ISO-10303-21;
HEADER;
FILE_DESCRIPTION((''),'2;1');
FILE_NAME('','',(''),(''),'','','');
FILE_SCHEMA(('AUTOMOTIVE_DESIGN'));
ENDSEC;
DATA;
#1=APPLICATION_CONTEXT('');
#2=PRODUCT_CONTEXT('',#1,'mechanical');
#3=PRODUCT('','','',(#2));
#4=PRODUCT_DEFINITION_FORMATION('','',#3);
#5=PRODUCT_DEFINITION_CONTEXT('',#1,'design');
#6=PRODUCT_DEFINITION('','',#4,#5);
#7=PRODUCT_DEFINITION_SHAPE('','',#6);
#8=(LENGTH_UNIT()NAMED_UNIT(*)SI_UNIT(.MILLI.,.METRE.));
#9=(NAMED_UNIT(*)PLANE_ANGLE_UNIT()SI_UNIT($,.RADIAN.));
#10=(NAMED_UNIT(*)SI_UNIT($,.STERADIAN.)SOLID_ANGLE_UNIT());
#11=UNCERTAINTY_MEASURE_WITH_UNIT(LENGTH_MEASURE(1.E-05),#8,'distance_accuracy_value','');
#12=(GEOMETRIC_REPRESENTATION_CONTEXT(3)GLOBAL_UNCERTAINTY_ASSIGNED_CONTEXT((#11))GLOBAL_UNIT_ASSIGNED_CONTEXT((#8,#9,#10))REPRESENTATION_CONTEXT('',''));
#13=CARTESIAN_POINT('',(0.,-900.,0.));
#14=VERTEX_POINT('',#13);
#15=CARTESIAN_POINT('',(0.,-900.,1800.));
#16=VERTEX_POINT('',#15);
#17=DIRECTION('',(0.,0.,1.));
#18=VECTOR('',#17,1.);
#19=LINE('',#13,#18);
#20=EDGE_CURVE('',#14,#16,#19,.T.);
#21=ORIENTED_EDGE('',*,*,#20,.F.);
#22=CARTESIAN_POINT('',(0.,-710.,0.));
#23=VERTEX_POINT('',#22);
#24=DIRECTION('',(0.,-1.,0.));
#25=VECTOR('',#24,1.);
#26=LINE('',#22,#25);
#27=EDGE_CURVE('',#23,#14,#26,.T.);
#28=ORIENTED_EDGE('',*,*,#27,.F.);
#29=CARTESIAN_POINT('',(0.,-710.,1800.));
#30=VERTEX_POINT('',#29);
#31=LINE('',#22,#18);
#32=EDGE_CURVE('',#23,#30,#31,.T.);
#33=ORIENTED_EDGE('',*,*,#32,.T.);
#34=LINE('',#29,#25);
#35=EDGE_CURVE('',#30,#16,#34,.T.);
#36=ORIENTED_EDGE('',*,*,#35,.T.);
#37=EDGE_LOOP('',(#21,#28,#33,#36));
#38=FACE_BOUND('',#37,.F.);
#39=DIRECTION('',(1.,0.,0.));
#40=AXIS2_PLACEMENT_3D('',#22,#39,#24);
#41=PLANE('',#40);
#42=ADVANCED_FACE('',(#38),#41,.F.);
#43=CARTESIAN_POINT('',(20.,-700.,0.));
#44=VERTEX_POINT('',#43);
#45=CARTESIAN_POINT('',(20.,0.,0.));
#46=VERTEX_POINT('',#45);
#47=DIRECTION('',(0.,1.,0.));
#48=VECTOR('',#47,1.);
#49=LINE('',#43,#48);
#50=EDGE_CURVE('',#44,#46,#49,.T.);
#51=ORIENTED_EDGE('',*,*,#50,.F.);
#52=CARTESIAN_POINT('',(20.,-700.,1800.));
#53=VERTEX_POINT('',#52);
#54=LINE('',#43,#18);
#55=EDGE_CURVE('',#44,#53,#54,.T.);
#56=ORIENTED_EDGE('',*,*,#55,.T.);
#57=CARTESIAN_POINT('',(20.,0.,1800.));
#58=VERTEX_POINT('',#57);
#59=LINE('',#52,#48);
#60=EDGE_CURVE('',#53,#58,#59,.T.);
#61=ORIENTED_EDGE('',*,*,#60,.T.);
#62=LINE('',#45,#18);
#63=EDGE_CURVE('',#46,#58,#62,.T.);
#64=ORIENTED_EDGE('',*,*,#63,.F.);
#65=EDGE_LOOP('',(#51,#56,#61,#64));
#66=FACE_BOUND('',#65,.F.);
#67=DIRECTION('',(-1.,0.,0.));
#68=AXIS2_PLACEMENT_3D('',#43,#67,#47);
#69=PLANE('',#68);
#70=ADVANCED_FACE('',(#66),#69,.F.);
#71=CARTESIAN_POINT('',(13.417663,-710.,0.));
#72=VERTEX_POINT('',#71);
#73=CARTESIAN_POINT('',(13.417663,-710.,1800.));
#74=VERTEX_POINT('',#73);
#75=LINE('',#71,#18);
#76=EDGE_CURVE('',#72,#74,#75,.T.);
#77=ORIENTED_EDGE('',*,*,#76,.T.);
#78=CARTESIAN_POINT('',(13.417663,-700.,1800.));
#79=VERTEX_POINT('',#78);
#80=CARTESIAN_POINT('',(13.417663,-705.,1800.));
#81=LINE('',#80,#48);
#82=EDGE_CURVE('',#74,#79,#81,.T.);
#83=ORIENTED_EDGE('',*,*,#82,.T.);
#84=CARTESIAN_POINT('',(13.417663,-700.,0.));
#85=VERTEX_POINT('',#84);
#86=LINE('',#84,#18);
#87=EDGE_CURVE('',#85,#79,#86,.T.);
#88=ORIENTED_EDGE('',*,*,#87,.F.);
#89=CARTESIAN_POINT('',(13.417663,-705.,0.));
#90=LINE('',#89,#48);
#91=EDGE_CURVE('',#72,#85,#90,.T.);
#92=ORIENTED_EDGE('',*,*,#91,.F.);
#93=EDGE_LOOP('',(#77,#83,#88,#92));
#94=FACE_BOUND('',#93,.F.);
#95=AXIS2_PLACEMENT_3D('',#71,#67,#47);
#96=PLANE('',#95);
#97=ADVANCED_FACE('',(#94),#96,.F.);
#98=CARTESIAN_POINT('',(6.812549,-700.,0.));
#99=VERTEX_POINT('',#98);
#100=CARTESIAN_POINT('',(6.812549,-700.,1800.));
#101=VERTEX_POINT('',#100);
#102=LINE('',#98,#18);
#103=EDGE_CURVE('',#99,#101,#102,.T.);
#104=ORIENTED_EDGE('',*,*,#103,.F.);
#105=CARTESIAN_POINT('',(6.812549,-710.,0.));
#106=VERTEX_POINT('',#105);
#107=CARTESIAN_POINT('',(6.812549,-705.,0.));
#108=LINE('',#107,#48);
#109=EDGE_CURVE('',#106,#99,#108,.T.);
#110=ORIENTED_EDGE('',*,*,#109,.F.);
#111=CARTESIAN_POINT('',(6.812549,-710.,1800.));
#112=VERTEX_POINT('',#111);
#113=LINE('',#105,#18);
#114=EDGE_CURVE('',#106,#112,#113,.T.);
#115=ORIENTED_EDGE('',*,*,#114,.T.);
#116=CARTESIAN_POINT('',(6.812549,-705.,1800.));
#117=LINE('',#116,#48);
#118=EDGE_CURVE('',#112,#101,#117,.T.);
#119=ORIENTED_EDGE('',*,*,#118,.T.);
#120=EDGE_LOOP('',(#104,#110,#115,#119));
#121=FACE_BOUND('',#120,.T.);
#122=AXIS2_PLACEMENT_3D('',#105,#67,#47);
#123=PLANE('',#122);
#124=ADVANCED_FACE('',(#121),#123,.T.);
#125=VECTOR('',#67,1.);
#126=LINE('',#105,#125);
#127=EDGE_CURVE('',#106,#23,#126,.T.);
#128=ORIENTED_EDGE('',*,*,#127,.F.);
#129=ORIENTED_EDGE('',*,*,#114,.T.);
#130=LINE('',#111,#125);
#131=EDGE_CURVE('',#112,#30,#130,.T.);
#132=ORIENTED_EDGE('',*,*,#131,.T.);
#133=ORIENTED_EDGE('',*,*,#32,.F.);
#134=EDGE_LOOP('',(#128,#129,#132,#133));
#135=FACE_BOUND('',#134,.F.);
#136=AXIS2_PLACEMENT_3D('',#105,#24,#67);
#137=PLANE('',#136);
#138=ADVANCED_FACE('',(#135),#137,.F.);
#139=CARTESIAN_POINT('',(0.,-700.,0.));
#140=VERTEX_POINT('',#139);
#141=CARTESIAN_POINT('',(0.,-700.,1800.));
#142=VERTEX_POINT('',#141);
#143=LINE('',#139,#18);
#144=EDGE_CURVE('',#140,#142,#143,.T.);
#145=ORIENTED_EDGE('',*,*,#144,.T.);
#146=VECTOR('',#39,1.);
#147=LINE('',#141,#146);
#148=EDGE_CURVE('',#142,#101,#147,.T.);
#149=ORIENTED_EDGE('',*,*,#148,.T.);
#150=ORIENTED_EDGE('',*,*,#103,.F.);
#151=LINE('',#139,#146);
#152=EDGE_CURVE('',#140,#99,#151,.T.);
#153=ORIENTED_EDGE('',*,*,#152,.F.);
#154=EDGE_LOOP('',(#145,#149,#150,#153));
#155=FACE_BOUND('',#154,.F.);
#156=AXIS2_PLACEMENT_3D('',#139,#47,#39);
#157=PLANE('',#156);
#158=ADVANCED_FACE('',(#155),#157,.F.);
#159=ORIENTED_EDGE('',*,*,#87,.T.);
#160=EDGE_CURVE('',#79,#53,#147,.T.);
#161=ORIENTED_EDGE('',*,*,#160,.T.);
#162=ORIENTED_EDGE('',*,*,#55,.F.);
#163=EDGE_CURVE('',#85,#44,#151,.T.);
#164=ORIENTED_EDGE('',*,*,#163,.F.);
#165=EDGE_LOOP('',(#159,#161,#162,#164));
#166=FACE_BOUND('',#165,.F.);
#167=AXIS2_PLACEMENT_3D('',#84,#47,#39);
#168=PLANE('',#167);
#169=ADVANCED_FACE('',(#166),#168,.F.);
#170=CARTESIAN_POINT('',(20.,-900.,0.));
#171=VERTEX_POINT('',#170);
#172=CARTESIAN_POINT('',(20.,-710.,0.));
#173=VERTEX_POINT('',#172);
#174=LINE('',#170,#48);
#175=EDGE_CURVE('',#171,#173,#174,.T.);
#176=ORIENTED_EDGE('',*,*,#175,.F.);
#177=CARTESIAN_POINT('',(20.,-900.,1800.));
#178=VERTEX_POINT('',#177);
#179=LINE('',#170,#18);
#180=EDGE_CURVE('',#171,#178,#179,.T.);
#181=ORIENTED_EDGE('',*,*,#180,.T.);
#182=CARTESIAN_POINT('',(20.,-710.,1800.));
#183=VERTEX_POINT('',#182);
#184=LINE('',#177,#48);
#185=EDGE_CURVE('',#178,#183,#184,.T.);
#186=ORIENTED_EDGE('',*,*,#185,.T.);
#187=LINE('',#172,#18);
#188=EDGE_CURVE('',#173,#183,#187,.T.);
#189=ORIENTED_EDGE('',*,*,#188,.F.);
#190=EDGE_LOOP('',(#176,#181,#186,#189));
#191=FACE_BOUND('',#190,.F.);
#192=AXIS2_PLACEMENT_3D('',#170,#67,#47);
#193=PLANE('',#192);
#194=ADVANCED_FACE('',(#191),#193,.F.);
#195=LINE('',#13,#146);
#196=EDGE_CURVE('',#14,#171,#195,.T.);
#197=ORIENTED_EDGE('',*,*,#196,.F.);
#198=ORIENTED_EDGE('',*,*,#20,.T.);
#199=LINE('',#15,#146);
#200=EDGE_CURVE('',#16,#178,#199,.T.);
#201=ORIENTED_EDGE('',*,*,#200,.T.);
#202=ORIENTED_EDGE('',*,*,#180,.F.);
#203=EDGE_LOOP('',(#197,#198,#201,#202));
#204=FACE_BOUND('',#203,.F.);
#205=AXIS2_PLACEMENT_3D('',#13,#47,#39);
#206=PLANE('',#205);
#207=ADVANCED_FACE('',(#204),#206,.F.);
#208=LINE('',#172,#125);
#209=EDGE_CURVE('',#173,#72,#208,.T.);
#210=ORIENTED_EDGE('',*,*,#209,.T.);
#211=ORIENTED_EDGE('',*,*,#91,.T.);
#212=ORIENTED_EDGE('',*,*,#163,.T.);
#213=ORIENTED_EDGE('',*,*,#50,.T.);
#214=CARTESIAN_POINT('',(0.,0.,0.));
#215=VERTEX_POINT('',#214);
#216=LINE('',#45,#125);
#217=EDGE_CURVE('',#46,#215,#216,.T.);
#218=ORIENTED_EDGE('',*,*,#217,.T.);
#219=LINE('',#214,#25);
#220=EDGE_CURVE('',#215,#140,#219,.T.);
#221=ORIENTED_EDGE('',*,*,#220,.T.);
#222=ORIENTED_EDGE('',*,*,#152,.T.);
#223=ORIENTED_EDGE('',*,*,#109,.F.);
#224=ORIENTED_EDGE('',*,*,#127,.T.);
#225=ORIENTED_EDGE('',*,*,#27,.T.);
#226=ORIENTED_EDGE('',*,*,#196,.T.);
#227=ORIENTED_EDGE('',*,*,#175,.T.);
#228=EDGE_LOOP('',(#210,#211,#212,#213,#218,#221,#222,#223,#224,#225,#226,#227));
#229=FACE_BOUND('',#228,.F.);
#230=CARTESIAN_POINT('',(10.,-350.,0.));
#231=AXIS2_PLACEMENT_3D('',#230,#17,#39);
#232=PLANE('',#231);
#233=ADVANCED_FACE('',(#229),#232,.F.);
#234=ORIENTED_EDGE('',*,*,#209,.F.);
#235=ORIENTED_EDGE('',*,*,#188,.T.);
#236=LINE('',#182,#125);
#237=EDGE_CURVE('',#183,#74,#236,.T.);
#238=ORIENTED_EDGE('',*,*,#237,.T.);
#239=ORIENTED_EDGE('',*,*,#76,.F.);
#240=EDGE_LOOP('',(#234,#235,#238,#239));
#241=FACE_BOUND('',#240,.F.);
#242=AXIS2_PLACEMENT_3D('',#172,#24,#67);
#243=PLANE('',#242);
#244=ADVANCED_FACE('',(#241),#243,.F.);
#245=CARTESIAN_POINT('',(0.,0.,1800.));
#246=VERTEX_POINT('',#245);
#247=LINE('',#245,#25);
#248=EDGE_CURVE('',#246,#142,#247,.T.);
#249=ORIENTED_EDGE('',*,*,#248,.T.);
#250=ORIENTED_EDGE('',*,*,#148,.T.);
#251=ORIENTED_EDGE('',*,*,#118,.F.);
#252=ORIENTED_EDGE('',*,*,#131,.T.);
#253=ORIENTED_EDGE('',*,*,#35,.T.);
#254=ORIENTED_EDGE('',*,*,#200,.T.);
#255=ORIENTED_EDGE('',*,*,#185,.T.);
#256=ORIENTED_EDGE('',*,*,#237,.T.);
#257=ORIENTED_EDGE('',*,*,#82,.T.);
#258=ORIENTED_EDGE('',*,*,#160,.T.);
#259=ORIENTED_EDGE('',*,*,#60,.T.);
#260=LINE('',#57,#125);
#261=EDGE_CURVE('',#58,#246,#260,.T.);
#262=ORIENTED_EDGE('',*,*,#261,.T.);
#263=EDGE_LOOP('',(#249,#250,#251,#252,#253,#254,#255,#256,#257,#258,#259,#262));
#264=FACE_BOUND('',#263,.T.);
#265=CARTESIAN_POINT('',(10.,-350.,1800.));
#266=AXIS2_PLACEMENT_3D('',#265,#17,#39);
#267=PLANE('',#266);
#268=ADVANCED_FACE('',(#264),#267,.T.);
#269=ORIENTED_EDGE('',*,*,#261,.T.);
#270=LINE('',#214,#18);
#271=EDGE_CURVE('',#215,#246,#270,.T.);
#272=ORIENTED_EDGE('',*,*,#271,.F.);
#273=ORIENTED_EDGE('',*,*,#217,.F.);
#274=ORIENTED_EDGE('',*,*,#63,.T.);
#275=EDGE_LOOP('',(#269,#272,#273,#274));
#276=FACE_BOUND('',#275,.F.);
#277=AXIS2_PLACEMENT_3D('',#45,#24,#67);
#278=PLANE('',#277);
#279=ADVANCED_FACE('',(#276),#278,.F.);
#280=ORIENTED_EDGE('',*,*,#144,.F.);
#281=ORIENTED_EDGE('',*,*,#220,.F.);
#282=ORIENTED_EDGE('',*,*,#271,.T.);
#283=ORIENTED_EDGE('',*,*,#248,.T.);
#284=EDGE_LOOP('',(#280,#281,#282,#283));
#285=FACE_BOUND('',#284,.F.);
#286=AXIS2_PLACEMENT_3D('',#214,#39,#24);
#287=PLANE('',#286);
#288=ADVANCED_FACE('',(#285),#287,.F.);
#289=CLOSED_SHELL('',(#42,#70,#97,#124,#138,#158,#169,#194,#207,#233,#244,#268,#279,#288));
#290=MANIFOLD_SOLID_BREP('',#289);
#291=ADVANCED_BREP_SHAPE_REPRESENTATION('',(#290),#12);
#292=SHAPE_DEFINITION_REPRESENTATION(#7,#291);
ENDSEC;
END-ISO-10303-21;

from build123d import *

# Parameters (mm, degrees)
F0_W     = 6.605114
F0_H     = 10
F1_DEPTH = 1800


with BuildPart() as f1:
    # F0 (on Top) → F1 (new body)
    with BuildSketch(Plane.XY):
        Polygon((20, 0), (0, 0), (0, -700), (6.812549, -700), (13.417663, -700), (20, -700), align=None)
        with Locations((10.115106, -705)):
            Rectangle(F0_W, F0_H)
        Polygon((13.417663, -710), (6.812549, -710), (0, -710), (0, -900), (20, -900), (20, -710), align=None)
    extrude(amount=F1_DEPTH)


solid = f1.part
